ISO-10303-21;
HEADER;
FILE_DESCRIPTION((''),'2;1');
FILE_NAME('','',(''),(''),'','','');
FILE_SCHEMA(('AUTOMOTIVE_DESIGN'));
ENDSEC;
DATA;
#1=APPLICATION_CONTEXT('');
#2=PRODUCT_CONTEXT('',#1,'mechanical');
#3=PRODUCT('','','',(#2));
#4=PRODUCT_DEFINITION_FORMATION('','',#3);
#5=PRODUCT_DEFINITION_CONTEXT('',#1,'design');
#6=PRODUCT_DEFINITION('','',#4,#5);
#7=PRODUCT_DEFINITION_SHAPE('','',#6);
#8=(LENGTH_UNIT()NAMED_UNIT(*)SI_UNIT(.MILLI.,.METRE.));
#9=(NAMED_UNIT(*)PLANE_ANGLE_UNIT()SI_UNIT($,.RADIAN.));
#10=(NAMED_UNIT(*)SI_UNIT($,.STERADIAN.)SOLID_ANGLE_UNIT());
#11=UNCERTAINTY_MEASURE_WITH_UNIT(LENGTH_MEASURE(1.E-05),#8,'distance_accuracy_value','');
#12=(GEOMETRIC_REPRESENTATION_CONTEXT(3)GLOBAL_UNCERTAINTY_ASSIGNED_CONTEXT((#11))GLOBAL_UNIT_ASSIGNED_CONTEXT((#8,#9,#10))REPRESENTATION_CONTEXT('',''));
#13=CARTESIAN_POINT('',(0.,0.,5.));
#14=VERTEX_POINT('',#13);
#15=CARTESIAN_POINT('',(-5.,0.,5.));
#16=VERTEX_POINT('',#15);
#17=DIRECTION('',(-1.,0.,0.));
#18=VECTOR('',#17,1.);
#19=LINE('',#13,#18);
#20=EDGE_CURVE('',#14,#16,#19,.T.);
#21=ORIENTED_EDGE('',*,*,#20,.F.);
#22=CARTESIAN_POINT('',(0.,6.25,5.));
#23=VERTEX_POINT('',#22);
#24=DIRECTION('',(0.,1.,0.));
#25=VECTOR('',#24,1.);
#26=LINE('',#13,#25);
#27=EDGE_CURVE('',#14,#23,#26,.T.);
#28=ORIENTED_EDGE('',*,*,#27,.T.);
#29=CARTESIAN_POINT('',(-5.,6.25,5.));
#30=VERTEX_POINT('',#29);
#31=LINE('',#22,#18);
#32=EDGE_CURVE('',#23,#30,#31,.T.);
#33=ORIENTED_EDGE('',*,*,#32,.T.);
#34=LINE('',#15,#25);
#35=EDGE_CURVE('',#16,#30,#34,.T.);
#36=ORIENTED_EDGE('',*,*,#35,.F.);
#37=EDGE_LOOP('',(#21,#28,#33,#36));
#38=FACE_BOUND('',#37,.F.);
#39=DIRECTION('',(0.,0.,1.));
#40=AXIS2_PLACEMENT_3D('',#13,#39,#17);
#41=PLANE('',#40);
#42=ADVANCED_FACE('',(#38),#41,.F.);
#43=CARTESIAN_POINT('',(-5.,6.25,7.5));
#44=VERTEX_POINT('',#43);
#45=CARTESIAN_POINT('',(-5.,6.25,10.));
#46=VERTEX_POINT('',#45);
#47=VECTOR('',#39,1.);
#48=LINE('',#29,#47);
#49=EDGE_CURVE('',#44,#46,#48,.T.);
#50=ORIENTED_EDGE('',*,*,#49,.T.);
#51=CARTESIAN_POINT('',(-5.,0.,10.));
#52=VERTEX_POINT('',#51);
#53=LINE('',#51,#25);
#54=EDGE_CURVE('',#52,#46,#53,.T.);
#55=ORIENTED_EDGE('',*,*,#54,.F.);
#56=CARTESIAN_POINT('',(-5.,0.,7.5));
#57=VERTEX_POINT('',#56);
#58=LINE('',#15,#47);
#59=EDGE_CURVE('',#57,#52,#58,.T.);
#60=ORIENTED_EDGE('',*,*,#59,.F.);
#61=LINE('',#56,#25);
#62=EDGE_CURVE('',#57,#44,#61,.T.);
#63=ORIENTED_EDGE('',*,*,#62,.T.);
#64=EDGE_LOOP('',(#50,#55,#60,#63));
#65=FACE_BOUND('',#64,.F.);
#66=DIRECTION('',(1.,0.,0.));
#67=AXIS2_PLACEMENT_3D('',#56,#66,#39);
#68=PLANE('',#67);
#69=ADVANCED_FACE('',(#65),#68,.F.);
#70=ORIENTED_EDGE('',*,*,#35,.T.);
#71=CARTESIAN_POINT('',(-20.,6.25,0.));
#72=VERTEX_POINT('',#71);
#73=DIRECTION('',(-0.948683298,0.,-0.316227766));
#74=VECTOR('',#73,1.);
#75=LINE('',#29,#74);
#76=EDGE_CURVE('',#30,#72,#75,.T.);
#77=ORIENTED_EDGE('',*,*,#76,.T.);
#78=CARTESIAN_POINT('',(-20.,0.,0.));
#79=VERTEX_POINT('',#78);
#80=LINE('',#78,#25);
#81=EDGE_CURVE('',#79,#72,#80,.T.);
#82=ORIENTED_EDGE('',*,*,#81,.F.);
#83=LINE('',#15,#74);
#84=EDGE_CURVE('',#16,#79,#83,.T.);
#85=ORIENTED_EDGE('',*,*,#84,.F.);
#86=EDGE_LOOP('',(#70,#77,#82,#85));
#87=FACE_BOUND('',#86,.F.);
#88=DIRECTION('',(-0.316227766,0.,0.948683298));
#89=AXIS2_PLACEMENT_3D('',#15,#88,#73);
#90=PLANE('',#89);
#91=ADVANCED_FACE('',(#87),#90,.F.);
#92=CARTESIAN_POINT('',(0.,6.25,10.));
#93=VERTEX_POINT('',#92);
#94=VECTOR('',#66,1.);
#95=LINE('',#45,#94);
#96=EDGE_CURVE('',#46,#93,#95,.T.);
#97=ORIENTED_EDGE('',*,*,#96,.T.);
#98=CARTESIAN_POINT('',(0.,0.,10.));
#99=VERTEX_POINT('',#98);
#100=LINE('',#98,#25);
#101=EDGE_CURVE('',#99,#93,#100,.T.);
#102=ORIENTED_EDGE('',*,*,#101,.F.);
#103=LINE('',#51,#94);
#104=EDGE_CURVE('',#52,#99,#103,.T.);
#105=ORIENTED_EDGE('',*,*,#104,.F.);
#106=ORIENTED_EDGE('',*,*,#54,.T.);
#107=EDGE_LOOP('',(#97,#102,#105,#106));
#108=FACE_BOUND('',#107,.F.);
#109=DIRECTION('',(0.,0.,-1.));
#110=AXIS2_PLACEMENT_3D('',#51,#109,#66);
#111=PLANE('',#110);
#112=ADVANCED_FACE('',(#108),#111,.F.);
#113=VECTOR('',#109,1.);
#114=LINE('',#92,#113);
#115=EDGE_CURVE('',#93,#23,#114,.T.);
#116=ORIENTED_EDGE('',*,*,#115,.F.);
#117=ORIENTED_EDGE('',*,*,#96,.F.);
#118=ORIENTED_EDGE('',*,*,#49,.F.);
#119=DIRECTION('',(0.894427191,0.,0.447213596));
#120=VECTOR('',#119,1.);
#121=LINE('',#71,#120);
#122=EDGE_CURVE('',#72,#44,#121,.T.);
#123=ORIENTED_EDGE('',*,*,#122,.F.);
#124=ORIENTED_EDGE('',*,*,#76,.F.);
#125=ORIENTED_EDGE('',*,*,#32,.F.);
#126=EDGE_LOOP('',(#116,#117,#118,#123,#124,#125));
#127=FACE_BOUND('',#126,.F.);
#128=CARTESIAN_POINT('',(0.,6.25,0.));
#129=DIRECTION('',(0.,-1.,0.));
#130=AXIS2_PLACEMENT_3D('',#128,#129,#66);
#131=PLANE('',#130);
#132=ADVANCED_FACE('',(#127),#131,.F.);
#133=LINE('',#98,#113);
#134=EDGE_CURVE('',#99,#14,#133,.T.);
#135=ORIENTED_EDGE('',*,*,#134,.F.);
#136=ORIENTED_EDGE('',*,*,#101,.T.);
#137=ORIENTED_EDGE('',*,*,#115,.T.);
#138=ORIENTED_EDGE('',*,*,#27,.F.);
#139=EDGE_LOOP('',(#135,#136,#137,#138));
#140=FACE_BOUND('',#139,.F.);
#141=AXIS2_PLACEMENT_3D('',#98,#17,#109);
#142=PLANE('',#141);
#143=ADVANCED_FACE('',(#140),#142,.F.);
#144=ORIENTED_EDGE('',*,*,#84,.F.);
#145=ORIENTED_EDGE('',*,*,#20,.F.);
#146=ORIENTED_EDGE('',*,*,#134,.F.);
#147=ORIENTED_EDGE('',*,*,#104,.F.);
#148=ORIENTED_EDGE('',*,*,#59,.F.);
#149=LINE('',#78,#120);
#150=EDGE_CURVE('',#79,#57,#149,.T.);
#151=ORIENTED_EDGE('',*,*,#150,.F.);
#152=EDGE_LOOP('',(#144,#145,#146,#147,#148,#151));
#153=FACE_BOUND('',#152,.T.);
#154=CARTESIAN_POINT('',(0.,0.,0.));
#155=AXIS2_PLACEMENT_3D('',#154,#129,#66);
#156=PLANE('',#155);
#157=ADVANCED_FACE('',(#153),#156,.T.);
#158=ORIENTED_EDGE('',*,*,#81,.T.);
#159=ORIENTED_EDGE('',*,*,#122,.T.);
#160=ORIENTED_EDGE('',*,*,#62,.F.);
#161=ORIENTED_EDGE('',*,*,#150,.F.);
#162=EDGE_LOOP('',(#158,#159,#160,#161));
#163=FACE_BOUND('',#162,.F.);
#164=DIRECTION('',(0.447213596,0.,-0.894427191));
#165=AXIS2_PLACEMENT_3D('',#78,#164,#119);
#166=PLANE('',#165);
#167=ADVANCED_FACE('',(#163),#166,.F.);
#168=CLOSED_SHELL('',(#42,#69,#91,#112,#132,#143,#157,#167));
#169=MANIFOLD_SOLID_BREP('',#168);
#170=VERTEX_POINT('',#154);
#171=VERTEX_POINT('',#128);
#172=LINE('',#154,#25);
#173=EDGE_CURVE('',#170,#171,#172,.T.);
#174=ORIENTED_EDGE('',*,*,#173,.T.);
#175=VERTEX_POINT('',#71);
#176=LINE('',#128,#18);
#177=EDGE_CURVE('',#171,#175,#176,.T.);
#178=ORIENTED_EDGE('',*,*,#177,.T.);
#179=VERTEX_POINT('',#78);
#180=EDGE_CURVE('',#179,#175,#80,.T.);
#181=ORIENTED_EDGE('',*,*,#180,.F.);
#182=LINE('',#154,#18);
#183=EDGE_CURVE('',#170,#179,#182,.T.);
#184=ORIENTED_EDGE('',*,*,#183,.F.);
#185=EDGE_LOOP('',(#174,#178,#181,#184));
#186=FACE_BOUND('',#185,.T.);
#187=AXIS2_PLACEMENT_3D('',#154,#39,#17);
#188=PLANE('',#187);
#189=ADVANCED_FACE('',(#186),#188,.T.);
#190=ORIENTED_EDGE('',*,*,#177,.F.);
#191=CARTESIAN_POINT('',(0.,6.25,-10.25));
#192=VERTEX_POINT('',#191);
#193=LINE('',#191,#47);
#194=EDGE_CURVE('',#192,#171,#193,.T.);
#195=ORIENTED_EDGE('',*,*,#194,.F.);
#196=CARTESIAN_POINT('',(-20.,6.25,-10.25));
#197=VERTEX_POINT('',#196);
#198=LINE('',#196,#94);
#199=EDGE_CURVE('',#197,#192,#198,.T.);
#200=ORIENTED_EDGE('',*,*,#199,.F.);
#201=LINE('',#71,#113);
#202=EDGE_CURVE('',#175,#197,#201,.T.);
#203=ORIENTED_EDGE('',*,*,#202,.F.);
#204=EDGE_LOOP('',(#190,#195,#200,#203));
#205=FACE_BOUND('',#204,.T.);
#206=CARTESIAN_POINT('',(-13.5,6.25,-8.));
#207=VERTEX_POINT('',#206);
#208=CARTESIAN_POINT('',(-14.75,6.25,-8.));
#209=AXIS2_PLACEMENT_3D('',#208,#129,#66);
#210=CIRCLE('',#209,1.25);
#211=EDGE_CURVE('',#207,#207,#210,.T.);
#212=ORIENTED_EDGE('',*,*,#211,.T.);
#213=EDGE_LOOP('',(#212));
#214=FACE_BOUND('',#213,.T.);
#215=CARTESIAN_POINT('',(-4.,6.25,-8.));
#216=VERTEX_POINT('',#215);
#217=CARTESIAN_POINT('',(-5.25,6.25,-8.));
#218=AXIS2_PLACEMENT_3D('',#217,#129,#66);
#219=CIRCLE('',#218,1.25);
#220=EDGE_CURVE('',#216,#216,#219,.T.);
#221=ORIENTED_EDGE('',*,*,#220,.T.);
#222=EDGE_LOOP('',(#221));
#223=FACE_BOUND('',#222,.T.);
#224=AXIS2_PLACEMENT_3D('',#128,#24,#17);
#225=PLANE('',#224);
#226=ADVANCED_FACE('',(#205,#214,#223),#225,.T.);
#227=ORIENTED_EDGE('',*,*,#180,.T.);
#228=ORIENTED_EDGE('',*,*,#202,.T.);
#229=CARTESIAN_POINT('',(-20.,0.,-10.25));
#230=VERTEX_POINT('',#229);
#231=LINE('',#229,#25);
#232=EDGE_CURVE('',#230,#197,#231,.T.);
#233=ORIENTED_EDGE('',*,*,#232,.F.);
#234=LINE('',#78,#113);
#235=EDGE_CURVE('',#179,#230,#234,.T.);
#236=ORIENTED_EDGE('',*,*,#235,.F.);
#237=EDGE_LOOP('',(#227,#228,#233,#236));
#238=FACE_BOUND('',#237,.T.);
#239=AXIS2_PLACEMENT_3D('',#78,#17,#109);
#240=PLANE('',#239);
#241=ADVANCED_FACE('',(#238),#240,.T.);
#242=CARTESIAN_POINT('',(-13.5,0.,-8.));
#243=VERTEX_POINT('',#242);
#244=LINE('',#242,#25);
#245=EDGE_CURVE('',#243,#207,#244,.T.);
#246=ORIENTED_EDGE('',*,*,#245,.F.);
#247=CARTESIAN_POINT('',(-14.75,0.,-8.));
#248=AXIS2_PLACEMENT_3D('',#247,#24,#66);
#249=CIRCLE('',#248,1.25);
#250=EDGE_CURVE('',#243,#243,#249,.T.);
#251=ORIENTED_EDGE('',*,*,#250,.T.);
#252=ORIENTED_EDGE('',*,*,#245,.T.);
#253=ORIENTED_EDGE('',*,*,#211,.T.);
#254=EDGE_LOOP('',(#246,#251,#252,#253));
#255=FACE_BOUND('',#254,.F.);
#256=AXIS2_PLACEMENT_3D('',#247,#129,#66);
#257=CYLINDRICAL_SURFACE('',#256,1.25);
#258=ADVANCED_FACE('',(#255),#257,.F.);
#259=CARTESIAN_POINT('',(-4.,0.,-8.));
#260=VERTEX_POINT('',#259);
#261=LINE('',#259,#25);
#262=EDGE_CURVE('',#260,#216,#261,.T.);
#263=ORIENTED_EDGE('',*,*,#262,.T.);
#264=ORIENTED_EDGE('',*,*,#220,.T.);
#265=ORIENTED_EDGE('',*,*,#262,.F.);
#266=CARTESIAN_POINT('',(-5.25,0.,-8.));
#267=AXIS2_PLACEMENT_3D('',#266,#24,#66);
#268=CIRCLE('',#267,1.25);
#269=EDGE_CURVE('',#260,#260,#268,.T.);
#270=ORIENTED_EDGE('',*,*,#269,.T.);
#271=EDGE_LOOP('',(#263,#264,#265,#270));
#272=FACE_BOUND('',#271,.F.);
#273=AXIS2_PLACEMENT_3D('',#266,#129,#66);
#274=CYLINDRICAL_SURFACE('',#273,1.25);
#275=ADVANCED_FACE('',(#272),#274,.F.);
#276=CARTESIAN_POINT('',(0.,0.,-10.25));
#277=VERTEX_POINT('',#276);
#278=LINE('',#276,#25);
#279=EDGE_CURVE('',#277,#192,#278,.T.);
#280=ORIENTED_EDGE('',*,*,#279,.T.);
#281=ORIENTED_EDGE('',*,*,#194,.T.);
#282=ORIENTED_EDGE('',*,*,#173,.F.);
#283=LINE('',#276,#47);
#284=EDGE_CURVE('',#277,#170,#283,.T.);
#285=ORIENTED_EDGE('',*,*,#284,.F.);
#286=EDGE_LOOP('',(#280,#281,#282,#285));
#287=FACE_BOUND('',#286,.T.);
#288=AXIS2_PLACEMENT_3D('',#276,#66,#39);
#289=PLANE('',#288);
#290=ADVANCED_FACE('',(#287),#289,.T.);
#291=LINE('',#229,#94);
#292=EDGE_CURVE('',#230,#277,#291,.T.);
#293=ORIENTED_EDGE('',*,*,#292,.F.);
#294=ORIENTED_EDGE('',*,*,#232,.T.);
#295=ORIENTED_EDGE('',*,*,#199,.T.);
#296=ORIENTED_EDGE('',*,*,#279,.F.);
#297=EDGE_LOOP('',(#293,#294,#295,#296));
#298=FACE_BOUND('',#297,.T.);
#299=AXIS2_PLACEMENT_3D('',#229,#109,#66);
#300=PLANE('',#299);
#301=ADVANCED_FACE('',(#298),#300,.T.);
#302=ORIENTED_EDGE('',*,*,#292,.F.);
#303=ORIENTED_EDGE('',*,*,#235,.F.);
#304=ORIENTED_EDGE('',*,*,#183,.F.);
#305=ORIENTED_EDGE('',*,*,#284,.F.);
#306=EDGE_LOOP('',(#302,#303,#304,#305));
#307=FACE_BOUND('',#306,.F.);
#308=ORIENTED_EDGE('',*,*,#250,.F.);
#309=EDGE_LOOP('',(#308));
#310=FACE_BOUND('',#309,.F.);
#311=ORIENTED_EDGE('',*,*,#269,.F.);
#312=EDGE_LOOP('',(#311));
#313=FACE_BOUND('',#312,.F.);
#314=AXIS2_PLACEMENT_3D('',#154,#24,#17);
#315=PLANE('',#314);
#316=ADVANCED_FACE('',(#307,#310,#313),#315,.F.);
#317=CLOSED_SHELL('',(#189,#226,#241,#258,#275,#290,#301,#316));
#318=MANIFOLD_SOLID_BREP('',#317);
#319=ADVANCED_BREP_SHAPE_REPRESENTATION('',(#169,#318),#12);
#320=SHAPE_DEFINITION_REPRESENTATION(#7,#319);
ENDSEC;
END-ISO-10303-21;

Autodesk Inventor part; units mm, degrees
ref_plane "YZ Plane" through (0, 0, 0) normal (1, 0, 0) x (0, 1, 0)
ref_plane "XZ Plane" through (0, 0, 0) normal (0, 1, 0) x (-1, 0, 0)
ref_plane "XY Plane" through (0, 0, 0) normal (0, 0, 1) x (1, 0, 0)
sketch "Sketch1" plane through (0, 0, 0) normal (0, 1, 0) x (-1, 0, 0)
  line L0 (0, 0) -> (20, 0)
  line L1 (20, 0) -> (20, -10.25)
  line L2 (20, -10.25) -> (0, -10.25)
  line L3 (0, -10.25) -> (0, 0)
  dimension "d0" = 20
  dimension "d1" = 10.25
extrude "Extrusion1" add sketch "Sketch1" along normal blind 6.25
sketch "Sketch2" plane through (0, 0, 0) normal (0, -1, 0) x (1, 0, 0)
  line L0 (-20, 0) -> (0, 0) projected
  line L1 (0, 0) -> (0, 5)
  line L2 (0, 5) -> (-5, 5)
  line L3 (-5, 5) -> (-5, 10)
  line L4 (-5, 10) -> (0, 10)
  line L5 (0, 10) -> (0, 5)
  line L6 (-20, -10.25) -> (-20, 0) projected
  line L7 (-5, 5) -> (-20, 0)
  line L8 (-20, 0) -> (-5, 7.5)
  dimension "d4" = 5
  dimension "d5" = 5
  dimension "d6" = 5
extrude "Extrusion2" add sketch "Sketch2" against normal blind 6.25 contours L8 L3 L7 | L3 L4 L5 L2
sketch "Sketch3" plane through (0, 0, 0) normal (0, -1, 0) x (1, 0, 0)
  line L0 (0, -10.25) -> (-20, -10.25) projected
  line L1 (0, -10.25) -> (-5.25, -10.25)
  line L2 (-5.25, -10.25) -> (-5.25, -8)
  line L3 (-5.25, -8) -> (0, -8)
  line L4 (0, -8) -> (0, -10.25)
  line L5 (-20, -10.25) -> (-14.75, -10.25)
  line L6 (-14.75, -10.25) -> (-14.75, -8)
  line L7 (-14.75, -8) -> (-20, -8)
  line L8 (-20, -8) -> (-20, -10.25)
  circle A0 centre (-14.75, -8) radius 1.25
  circle A1 centre (-5.25, -8) radius 1.25
  point P0 (0, 0)
  dimension "d9" = 5.25
  dimension "d10" = 2.25
  dimension "d11" = 5.25
  dimension "d12" = 2.25
  dimension "d13" = 2.5
  dimension "d14" = 2.5
extrude "Extrusion3" cut sketch "Sketch3" against normal blind 6.25 contours A1 L3 L2 | L2 L3 A1 | A0 L7 L6 | L6 L7 A0
properties part number "limit_switch"
